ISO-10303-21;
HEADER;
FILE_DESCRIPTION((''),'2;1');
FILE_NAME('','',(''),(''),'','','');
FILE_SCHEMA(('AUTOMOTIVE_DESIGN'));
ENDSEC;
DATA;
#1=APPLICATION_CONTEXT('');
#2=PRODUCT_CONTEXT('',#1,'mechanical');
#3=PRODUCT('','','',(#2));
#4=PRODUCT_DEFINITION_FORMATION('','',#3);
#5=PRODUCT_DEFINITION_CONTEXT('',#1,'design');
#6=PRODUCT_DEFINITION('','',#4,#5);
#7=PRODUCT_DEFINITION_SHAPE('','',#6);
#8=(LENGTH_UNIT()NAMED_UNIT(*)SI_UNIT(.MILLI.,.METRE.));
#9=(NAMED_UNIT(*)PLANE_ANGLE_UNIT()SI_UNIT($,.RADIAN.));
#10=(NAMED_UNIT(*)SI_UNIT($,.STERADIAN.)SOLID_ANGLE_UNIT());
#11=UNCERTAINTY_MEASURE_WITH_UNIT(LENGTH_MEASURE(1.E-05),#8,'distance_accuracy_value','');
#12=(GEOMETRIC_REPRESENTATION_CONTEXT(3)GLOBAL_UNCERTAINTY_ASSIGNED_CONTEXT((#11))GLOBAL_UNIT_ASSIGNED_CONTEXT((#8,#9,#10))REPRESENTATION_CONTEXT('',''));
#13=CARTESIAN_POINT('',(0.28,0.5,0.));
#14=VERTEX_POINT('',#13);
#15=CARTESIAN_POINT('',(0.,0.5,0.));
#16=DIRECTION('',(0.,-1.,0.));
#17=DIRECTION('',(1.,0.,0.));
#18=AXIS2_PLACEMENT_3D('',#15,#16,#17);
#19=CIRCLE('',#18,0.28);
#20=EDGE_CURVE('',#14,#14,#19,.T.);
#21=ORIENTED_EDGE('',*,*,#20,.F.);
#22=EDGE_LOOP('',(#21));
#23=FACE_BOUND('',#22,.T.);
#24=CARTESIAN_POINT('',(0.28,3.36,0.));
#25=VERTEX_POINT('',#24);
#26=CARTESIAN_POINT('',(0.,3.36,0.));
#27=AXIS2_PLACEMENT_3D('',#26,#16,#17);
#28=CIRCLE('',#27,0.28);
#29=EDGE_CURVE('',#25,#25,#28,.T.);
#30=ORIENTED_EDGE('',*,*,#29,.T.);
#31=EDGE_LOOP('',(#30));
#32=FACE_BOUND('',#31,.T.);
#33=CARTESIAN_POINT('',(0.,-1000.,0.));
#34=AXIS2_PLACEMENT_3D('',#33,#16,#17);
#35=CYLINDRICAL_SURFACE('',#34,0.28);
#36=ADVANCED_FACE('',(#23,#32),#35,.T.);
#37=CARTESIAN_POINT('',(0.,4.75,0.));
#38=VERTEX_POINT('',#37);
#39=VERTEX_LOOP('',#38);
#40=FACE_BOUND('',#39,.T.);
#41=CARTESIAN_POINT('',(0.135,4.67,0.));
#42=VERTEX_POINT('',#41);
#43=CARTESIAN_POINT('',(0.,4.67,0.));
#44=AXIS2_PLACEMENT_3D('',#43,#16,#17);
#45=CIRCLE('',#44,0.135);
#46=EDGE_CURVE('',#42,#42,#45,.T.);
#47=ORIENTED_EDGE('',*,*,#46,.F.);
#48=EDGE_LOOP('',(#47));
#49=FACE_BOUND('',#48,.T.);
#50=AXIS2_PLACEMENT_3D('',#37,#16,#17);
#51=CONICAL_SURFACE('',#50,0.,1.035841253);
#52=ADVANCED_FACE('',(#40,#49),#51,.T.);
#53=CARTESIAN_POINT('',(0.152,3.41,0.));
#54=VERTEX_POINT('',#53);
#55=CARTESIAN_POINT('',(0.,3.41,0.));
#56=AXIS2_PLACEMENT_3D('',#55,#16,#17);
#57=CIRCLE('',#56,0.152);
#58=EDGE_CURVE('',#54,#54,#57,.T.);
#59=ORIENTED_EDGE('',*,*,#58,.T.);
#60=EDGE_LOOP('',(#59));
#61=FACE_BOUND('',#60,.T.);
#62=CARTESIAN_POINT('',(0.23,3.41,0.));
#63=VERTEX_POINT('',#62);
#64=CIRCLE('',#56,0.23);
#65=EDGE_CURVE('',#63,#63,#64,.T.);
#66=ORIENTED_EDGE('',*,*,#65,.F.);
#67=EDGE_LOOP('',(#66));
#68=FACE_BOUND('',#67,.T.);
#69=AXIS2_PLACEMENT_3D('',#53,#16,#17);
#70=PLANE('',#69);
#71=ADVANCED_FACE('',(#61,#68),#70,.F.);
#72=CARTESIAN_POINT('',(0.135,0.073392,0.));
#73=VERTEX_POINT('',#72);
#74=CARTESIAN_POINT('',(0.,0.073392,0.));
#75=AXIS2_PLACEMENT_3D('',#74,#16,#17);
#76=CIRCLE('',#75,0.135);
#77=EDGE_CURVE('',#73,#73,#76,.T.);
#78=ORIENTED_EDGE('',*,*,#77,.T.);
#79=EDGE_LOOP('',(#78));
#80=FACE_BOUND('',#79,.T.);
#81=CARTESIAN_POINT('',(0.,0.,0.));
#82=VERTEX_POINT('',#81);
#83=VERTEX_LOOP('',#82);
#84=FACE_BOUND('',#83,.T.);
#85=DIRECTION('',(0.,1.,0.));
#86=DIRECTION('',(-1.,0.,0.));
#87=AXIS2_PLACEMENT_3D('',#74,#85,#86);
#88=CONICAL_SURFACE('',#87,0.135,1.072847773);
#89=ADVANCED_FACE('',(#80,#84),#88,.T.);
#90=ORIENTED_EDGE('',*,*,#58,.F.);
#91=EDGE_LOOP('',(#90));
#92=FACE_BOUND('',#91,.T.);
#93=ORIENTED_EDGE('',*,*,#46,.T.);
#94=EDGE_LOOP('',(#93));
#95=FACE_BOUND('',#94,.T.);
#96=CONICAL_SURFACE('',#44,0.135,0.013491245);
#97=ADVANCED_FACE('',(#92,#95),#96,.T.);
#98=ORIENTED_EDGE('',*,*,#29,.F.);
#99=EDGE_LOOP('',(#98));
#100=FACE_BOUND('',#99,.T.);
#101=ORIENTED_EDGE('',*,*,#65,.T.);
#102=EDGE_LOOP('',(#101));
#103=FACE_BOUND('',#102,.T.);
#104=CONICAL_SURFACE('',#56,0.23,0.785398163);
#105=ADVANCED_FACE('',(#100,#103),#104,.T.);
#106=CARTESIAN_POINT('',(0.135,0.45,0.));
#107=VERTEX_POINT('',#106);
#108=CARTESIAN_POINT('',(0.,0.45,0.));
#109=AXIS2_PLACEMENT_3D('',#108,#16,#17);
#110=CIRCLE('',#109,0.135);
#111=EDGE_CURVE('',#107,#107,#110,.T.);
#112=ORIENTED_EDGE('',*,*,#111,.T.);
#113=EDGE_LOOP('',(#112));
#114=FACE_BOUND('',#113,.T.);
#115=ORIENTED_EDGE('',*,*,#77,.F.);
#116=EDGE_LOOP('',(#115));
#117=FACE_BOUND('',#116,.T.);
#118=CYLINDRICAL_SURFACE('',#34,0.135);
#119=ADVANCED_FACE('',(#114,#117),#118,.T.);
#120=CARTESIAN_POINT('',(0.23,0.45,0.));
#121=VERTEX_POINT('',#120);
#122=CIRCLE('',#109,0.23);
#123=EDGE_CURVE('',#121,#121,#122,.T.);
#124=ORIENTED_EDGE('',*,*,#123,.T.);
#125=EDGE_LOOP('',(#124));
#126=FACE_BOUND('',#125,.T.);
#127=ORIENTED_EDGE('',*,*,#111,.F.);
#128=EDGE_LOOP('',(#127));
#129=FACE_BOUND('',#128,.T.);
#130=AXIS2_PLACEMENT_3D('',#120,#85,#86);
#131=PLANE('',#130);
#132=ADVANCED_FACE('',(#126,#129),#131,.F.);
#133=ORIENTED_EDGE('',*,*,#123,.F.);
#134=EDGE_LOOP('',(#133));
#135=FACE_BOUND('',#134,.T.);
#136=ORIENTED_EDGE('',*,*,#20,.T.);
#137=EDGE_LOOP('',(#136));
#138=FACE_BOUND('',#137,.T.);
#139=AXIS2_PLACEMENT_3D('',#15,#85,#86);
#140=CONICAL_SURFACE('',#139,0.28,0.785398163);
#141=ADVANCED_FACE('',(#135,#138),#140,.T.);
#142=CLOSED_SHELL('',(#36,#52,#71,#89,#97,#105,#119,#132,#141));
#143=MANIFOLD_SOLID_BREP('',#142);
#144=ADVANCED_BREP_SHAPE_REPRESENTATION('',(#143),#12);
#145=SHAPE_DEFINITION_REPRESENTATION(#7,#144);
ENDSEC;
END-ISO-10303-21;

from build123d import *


with BuildPart() as part:
    # Sketch1 → Revolve1 (revolve)
    with BuildSketch(Plane(origin=(0, 0, 0), x_dir=(-1, 0, 0), z_dir=(0, 0, -1))):
        Polygon((-0.135, 0.07339164), (0, 0), (0, 4.75), (-0.135, 4.67), (-0.152, 3.41), (-0.23, 3.41), (-0.28, 3.36), (-0.28, 0.5), (-0.23, 0.45), (-0.135, 0.45), align=None)
    revolve(axis=Axis((0, -1000, 0), (0, 1, 0)))


solid = part.part
